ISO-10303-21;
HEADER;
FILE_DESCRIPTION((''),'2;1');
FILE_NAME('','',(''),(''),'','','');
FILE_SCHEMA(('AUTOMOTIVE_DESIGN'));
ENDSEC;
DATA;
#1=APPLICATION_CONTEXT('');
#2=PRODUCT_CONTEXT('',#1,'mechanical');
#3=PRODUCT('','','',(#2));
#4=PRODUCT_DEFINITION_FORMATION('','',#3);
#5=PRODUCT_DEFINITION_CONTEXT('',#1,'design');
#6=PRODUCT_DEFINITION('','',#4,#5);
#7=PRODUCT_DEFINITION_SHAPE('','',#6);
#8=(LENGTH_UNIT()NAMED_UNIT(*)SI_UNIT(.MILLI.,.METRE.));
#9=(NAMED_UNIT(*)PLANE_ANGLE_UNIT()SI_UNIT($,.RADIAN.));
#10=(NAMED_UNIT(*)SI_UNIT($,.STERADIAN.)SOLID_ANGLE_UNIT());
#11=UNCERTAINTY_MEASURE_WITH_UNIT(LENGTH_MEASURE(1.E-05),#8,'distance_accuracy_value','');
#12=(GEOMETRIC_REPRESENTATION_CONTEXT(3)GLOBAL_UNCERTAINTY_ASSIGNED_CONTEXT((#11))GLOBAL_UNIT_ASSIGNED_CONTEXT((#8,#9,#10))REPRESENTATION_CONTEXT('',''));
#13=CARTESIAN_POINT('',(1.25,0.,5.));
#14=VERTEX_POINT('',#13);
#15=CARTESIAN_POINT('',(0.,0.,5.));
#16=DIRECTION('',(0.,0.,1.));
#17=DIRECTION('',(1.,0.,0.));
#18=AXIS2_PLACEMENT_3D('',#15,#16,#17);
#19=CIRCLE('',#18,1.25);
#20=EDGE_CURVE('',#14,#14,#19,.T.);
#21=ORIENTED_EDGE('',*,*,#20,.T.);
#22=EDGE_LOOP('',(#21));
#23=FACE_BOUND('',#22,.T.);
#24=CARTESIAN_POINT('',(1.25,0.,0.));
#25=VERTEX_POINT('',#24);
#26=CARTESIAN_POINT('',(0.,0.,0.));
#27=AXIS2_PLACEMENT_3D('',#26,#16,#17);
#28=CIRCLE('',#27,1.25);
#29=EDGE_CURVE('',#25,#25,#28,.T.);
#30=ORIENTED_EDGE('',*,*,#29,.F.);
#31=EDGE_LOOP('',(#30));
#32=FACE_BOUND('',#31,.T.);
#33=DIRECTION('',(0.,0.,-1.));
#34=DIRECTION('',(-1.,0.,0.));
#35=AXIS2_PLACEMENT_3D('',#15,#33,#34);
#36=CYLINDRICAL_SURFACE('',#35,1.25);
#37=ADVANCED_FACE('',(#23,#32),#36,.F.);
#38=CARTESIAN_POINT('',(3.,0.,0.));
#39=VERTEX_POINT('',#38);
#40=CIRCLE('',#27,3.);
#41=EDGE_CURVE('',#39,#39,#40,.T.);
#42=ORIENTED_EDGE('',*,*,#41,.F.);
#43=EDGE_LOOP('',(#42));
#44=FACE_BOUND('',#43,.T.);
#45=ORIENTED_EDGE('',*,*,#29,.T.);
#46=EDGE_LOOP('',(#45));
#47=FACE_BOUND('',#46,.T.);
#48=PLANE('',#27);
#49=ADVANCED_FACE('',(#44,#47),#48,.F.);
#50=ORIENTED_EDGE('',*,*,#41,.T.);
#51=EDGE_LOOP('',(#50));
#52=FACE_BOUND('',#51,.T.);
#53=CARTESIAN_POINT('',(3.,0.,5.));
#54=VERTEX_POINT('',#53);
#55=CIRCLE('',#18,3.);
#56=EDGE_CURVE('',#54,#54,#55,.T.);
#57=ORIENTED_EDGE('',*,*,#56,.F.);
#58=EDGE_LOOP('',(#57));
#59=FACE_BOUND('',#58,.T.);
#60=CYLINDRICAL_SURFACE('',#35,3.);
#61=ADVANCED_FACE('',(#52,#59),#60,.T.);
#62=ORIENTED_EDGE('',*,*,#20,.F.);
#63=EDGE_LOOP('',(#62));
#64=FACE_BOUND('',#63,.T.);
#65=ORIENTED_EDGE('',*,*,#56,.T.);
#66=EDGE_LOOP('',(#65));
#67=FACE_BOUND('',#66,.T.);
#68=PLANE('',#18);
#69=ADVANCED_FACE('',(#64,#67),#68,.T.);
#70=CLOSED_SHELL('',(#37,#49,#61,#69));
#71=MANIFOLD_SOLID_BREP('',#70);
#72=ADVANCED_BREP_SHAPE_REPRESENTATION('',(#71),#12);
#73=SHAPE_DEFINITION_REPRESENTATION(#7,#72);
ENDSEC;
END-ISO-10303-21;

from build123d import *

# Parameters (mm, degrees)
SKETCH_1_R      = 3
SKETCH_1_R_2    = 1.25
EXTRUDE_1_DEPTH = 5


with BuildPart() as part:
    # ｽｹｯﾁ1 → ﾎﾞｽ - 押し出し1 (new body)
    with BuildSketch(Plane.XY):
        Circle(SKETCH_1_R)
        Circle(SKETCH_1_R_2, mode=Mode.SUBTRACT)
    extrude(amount=EXTRUDE_1_DEPTH)


solid = part.part
